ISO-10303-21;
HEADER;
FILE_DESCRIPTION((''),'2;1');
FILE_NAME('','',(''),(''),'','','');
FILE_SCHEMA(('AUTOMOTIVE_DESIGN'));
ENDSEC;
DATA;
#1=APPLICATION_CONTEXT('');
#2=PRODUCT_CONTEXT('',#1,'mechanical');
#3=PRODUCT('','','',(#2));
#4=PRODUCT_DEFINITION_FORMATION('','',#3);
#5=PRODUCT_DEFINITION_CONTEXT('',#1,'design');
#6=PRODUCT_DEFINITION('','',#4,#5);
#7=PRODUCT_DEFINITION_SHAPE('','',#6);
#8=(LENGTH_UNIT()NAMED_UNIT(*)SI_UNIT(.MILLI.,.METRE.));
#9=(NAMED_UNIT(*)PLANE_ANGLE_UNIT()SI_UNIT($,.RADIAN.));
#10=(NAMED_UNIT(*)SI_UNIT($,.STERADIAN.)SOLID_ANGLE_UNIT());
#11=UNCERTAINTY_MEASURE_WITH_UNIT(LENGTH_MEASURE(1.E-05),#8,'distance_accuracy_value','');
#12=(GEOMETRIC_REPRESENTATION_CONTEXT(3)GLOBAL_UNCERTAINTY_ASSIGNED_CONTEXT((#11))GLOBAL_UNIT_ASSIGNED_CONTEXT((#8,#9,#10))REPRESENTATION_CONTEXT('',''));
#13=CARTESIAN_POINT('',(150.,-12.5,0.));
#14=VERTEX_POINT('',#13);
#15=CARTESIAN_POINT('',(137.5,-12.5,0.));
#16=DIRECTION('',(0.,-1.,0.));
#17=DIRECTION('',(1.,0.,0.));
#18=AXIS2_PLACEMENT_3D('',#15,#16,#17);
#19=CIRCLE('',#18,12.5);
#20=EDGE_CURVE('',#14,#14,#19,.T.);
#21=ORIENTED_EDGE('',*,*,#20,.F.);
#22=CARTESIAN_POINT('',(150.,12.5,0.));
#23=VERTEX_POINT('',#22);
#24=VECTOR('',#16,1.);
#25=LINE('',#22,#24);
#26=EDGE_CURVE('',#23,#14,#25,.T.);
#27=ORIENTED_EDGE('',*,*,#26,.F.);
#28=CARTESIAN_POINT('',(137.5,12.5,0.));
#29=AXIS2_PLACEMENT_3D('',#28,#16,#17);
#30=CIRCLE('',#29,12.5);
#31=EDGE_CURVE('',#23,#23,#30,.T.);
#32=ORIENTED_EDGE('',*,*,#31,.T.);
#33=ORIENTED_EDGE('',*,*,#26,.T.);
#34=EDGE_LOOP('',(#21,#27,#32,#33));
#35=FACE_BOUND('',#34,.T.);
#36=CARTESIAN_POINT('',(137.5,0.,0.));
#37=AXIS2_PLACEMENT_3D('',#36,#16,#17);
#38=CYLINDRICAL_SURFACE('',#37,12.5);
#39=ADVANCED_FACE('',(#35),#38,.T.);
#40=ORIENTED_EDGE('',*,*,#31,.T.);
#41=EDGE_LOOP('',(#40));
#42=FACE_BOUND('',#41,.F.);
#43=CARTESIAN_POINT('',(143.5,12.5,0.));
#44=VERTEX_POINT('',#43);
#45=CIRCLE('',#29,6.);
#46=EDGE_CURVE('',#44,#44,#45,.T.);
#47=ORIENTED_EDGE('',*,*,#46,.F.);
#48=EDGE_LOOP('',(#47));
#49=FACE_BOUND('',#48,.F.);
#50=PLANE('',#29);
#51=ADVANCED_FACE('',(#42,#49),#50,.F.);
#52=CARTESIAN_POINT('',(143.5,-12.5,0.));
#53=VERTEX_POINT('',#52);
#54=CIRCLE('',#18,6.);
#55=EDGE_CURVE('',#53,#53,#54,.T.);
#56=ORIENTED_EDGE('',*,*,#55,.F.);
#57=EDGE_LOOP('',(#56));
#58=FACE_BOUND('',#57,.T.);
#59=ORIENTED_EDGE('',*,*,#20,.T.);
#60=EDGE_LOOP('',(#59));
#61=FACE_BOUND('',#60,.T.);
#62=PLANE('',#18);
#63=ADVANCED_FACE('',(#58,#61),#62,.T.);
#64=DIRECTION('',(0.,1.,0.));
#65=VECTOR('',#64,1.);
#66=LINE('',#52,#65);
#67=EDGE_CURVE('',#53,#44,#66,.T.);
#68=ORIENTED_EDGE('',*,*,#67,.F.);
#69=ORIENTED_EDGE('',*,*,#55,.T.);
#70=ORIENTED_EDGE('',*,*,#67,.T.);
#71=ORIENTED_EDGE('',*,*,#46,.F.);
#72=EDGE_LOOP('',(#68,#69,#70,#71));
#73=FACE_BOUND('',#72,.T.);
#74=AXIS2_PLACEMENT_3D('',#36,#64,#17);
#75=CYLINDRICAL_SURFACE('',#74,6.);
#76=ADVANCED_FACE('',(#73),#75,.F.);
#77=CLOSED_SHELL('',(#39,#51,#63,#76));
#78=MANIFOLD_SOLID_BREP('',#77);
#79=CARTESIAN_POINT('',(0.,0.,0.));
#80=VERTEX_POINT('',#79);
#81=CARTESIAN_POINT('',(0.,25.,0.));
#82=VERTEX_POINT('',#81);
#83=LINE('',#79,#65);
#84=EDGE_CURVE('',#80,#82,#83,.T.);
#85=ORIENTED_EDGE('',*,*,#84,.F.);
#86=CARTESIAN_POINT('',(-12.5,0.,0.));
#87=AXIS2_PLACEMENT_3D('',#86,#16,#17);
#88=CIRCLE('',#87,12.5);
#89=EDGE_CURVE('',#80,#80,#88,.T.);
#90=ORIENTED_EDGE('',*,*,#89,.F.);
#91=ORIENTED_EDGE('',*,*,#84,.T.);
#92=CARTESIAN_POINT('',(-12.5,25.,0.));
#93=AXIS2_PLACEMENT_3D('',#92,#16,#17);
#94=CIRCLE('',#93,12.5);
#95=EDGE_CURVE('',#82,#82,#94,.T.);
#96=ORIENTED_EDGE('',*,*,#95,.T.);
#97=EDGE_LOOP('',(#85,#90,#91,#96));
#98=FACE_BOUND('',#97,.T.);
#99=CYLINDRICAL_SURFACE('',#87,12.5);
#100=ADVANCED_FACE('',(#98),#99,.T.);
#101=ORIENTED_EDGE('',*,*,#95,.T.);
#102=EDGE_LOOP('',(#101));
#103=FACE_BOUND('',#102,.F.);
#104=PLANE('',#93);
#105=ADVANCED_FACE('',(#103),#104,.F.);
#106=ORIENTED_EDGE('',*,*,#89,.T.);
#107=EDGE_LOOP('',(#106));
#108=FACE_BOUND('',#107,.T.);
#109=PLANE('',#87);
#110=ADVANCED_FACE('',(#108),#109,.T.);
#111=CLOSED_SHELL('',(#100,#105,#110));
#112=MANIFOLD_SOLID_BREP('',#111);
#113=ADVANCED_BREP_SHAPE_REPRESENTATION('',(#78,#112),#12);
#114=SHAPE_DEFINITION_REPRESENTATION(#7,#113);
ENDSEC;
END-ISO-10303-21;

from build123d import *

# Parameters (mm, degrees)
F2_R     = 12.5
F2_R_2   = 6
F3_DEPTH = 25
F4_DEPTH = 12.5


with BuildPart() as f3:
    # F2 (on Front) → F3 (new body)
    with BuildSketch(Plane.XZ):
        with Locations((-12.5, 0)):
            Circle(F2_R)
        with Locations((-12.5, 0)):
            Circle(F2_R_2, mode=Mode.SUBTRACT)
        with Locations((-12.5, 0)):
            Circle(F2_R_2)
    extrude(amount=-F3_DEPTH)


with BuildPart() as f4:
    # F2 (on Front) → F4 (new body, symmetric)
    with BuildSketch(Plane.XZ):
        with Locations((137.5, 0)):
            Circle(F2_R)
        with Locations((137.5, 0)):
            Circle(F2_R_2, mode=Mode.SUBTRACT)
    extrude(amount=F4_DEPTH, both=True)


solid = Compound([f3.part, f4.part])
